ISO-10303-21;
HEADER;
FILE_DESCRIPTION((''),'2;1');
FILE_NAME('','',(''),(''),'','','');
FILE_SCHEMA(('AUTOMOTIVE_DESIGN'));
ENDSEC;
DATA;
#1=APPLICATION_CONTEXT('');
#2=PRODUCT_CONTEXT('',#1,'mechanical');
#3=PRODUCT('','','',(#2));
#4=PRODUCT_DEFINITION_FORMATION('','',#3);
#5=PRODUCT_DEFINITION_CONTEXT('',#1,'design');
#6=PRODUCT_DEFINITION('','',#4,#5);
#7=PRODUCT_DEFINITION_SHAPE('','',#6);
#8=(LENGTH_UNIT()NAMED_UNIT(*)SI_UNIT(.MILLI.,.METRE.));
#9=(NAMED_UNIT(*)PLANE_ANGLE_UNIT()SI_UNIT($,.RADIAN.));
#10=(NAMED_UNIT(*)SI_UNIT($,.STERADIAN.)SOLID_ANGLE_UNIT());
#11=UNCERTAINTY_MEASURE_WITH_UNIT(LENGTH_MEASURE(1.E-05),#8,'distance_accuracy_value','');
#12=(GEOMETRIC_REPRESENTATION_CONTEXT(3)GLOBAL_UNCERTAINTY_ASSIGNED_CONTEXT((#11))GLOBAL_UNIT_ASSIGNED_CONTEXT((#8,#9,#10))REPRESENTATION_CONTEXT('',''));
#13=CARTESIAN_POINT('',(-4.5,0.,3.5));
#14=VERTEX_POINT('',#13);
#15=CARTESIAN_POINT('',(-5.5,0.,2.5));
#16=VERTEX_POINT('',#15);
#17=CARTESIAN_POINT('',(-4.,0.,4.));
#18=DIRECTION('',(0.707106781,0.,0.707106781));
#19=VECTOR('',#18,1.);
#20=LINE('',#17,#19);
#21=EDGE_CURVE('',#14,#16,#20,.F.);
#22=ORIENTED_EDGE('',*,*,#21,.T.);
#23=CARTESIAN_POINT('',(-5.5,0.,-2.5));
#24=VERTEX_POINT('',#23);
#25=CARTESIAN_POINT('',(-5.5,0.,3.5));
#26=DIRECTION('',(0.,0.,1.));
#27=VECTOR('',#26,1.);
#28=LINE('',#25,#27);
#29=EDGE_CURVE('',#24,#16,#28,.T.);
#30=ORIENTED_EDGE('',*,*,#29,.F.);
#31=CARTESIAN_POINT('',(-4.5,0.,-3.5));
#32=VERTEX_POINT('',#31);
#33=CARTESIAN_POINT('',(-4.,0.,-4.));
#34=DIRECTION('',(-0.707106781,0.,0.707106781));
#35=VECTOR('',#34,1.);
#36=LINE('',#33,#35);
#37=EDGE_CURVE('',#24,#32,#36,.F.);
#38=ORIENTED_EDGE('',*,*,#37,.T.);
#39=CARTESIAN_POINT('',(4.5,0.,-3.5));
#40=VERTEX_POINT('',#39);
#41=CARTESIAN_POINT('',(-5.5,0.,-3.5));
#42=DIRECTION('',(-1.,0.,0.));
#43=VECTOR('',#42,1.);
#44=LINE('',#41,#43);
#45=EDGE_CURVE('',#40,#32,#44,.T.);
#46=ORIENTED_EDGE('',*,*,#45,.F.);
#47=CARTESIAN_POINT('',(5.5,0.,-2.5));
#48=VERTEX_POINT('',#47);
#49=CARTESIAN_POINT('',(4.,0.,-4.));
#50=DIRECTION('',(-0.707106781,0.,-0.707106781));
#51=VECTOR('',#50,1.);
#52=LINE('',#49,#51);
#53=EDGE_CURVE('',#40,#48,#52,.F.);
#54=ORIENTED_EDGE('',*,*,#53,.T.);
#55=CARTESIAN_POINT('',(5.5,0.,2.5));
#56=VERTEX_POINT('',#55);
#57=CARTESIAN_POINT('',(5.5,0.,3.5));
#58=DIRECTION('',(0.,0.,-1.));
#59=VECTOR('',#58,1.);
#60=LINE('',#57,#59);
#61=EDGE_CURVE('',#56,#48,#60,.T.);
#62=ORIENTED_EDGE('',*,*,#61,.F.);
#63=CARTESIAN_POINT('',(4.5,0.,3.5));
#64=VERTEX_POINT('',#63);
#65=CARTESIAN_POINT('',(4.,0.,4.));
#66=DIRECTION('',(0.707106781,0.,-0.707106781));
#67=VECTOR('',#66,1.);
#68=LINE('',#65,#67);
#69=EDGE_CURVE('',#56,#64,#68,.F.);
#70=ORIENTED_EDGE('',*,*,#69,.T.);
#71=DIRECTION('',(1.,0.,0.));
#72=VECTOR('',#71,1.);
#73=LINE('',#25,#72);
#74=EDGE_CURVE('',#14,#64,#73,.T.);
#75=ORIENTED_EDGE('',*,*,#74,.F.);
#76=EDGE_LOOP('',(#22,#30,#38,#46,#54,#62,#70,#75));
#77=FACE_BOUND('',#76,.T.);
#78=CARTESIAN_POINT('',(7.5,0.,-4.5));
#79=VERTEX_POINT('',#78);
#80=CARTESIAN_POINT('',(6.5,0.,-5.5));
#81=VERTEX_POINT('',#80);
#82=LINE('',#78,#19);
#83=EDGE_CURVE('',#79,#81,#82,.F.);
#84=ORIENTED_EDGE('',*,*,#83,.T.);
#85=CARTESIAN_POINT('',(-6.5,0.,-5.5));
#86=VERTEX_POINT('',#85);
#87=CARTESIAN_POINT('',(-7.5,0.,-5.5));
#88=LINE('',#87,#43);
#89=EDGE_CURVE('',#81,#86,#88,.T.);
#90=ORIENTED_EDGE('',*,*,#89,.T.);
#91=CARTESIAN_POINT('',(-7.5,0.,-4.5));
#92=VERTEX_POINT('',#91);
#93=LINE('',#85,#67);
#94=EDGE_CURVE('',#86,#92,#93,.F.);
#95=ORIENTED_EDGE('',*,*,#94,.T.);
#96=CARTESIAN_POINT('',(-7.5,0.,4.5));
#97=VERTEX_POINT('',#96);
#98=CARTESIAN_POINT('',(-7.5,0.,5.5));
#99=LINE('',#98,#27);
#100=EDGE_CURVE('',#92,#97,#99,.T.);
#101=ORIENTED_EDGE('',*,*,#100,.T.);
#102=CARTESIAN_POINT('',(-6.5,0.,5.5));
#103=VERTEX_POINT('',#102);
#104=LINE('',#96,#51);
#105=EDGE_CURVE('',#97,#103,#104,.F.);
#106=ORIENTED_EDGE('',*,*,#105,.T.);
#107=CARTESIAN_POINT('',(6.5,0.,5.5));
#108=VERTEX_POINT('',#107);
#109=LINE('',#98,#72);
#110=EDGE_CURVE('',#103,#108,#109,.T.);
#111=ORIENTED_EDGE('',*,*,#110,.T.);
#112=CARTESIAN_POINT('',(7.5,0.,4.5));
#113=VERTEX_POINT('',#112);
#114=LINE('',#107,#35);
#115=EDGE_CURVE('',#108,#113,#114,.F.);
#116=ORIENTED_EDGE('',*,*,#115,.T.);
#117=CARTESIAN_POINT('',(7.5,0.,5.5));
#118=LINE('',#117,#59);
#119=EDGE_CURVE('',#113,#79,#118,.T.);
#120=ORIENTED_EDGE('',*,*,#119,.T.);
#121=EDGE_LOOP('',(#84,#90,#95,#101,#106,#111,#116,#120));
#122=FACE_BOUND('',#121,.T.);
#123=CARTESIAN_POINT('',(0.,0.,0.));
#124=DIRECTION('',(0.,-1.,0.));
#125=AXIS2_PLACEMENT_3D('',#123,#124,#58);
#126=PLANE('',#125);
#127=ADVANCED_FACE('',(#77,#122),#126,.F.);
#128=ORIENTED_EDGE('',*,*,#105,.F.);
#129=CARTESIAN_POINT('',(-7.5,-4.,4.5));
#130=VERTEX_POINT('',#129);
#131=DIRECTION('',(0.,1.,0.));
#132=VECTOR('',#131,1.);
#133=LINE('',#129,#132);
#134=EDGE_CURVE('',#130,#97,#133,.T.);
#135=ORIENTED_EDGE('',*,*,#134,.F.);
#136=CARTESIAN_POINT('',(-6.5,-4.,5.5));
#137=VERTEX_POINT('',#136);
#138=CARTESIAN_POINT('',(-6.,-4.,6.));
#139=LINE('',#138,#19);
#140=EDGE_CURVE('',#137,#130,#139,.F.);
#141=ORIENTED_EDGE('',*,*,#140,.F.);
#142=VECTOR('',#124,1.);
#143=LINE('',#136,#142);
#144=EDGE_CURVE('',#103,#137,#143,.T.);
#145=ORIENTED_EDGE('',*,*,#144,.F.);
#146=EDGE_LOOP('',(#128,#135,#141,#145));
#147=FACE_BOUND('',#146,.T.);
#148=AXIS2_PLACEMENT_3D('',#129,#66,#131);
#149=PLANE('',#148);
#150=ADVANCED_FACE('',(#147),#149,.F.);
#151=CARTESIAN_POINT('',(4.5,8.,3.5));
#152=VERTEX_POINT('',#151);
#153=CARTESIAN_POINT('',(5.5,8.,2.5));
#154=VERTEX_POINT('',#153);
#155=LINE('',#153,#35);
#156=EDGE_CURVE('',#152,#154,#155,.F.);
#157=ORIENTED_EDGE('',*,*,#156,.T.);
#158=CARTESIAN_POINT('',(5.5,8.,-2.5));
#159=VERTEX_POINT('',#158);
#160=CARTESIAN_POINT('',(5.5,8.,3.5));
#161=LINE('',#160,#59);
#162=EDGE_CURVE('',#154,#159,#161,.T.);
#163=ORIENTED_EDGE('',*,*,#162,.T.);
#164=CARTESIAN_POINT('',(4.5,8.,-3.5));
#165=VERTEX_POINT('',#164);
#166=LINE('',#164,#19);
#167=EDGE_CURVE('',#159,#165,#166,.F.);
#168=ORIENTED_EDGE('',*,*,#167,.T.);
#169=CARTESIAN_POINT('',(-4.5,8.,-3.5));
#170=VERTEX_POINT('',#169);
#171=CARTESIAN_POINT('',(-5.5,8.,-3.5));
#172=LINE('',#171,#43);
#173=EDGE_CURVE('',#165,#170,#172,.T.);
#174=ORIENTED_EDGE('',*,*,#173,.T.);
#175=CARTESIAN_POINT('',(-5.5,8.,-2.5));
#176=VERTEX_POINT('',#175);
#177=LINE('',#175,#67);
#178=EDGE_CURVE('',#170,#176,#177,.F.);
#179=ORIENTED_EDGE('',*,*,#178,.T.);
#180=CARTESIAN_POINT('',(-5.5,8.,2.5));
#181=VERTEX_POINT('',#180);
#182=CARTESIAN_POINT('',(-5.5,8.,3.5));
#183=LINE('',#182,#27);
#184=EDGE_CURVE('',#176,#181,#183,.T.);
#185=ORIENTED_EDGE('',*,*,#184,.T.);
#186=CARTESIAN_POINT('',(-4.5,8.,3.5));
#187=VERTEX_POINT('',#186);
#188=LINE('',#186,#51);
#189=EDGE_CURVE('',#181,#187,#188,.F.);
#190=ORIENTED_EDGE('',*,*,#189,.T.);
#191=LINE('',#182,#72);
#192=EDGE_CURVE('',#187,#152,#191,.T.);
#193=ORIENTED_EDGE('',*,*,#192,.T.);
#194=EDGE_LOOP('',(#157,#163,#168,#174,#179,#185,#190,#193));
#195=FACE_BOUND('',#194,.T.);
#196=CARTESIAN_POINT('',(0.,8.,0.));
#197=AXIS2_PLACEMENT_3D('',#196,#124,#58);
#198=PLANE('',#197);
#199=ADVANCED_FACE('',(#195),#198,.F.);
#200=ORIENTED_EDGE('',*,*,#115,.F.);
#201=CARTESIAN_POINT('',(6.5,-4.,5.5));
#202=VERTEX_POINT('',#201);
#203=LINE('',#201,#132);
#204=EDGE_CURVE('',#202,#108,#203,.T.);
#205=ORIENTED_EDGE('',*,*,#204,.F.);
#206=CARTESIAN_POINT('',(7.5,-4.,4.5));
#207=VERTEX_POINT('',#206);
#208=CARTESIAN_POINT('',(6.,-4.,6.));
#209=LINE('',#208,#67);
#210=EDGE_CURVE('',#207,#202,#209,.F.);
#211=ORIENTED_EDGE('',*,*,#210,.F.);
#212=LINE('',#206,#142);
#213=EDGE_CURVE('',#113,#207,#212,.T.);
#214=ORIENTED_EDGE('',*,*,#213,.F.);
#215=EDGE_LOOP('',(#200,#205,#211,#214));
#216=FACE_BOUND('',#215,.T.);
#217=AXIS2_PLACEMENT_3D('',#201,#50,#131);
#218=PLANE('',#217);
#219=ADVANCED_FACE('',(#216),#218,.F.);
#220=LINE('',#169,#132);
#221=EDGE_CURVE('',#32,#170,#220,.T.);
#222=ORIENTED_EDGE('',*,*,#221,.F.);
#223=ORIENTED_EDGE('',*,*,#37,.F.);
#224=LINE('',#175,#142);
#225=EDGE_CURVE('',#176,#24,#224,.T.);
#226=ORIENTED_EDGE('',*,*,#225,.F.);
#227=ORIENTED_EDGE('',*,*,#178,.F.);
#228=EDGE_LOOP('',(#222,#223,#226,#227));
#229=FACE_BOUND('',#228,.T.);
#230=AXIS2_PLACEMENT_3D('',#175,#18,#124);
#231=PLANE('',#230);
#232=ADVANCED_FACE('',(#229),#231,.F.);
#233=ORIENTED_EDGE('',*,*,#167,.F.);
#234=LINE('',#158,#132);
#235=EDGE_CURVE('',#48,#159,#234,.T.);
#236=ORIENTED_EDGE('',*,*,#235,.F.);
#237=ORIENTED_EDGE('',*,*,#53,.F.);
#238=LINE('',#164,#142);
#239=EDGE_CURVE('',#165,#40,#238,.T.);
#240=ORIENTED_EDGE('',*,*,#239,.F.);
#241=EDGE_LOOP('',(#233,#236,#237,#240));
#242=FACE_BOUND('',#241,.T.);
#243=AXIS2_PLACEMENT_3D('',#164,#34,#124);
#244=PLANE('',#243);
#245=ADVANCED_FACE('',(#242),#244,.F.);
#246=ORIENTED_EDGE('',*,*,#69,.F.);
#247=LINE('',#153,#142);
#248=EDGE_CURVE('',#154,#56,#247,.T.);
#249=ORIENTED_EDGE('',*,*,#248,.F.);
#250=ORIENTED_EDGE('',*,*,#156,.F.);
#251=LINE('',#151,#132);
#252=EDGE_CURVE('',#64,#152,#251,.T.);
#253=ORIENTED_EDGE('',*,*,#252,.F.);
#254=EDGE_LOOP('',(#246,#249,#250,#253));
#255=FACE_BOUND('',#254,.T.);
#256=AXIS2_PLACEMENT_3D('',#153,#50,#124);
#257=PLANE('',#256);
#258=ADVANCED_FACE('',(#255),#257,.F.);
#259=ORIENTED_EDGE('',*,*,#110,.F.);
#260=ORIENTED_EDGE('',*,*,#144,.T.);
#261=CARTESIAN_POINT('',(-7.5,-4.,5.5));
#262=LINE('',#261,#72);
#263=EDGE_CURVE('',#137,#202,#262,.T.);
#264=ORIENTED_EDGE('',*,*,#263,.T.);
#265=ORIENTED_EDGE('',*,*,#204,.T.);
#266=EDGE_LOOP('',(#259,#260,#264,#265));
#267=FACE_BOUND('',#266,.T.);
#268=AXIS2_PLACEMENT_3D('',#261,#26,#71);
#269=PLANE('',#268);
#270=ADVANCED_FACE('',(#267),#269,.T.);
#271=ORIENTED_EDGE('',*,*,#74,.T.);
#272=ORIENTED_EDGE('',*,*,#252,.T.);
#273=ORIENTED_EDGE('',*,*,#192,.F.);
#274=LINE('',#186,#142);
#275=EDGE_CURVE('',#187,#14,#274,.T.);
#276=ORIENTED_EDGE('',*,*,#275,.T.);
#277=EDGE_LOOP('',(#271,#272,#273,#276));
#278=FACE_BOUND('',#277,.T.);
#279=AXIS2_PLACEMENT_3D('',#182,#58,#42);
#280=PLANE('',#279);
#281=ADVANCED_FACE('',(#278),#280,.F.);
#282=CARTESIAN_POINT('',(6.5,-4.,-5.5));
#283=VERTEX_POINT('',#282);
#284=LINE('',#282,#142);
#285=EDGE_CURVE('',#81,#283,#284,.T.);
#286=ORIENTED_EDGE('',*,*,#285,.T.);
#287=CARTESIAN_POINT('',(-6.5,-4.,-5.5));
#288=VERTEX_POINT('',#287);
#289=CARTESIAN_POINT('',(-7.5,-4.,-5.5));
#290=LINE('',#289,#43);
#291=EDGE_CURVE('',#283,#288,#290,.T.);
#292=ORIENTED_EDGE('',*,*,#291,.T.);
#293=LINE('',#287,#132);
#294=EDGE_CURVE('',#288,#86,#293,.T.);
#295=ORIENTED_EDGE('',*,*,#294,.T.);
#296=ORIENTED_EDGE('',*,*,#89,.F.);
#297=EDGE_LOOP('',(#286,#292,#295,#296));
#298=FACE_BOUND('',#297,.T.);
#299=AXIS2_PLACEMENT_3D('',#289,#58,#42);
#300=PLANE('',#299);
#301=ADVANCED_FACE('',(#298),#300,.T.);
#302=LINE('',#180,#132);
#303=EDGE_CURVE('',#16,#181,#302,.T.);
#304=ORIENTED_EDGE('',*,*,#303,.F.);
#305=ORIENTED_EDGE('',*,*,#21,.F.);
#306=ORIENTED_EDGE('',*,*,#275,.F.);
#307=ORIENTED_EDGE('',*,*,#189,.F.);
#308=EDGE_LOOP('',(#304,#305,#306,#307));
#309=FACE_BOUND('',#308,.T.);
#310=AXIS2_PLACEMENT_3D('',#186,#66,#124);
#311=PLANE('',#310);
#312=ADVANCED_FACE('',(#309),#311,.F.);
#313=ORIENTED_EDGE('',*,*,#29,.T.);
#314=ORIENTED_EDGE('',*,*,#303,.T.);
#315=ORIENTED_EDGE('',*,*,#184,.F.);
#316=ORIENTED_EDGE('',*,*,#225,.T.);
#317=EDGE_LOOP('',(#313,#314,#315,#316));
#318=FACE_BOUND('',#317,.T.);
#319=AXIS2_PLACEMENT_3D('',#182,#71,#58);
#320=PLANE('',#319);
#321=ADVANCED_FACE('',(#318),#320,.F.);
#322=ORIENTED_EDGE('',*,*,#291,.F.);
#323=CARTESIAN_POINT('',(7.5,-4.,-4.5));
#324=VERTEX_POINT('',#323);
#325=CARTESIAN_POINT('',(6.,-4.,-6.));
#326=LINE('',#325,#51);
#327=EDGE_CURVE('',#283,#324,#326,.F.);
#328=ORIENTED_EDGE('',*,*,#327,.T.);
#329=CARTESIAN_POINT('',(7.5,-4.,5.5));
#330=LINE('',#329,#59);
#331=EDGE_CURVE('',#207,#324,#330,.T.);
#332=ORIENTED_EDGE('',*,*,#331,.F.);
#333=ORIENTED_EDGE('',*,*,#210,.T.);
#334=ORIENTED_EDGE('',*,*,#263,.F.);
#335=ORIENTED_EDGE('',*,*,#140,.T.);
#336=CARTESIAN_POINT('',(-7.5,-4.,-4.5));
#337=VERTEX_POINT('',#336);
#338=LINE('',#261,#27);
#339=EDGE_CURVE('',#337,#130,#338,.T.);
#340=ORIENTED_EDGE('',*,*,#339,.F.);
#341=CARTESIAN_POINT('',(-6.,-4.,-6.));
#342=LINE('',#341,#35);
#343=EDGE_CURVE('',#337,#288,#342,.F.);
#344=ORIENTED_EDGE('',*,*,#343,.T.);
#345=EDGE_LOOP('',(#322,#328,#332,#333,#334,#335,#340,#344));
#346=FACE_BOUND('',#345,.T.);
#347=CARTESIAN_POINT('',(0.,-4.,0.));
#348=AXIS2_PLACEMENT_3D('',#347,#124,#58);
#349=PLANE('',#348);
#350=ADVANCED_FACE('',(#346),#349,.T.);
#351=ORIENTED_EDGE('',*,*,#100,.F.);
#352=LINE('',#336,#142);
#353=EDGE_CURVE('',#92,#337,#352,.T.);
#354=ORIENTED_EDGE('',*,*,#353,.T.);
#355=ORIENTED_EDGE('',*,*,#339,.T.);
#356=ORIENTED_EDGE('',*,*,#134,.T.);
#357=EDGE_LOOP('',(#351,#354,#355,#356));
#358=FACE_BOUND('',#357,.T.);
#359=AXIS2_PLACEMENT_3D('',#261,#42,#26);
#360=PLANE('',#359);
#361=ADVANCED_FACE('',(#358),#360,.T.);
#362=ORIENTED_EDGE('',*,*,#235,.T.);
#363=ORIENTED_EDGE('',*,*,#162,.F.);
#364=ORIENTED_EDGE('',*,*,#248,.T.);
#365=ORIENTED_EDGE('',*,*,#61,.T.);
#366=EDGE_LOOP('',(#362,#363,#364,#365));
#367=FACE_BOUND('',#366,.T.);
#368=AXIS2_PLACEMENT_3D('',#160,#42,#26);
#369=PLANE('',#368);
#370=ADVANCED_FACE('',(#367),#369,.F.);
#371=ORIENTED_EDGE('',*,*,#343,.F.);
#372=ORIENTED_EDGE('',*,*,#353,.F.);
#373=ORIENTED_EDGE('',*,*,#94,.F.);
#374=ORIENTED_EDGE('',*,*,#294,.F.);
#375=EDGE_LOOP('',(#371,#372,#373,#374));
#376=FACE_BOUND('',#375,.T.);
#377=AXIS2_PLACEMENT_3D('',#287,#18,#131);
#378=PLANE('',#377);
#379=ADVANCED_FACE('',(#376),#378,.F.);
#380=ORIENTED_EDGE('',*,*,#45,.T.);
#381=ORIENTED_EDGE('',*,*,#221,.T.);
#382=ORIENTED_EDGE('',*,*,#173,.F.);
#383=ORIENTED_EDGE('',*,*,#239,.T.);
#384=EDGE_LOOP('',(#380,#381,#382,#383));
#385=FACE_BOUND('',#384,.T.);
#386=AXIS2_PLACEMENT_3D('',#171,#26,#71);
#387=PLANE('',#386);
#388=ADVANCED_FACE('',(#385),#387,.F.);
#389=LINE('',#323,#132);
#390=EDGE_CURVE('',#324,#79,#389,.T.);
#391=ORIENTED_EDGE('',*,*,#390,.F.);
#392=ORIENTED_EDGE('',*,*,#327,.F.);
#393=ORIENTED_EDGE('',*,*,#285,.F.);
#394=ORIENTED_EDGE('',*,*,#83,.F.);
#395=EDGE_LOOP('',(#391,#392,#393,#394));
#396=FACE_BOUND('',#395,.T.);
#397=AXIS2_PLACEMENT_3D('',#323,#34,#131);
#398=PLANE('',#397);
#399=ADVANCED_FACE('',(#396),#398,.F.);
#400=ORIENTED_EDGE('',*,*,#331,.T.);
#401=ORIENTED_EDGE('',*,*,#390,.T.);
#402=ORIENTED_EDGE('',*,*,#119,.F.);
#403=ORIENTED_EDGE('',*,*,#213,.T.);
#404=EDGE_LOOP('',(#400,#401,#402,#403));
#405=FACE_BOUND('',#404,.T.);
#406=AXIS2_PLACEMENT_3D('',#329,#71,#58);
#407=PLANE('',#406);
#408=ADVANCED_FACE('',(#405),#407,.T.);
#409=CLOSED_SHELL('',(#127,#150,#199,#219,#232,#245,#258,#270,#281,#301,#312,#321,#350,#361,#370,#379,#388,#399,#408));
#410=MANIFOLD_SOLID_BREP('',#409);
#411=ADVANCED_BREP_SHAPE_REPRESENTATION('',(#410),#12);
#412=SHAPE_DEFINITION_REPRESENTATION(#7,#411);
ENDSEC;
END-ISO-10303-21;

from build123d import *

# Parameters (mm, degrees)
ESQUISSE1_W        = 15
ESQUISSE1_H        = 11
BOSS_EXTRU_1_DEPTH = 4
CHANFREIN1_SIZE    = 1
ESQUISSE2_W        = 11
ESQUISSE2_H        = 7
BOSS_EXTRU_2_DEPTH = 8
CHANFREIN3_SIZE    = 1


with BuildPart() as part:
    # Esquisse1 → Boss.-Extru.1 (new body)
    with BuildSketch(Plane(origin=(0, 0, 0), x_dir=(1, 0, 0), z_dir=(0, 1, 0))):
        Rectangle(ESQUISSE1_W, ESQUISSE1_H)
    extrude(amount=-BOSS_EXTRU_1_DEPTH)

    # Chanfrein1
    chanfrein1_edges = [part.edges().sort_by_distance(p)[0] for p in [
        (7.5, -2, 5.5),
        (-7.5, -2, 5.5),
        (-7.5, -2, -5.5),
        (7.5, -2, -5.5),
    ]]
    chamfer(chanfrein1_edges, length=CHANFREIN1_SIZE)

    # Esquisse2 → Boss.-Extru.2 (add)
    with BuildSketch(Plane(origin=(0, 0, 0), x_dir=(1, 0, 0), z_dir=(0, 1, 0))):
        Rectangle(ESQUISSE2_W, ESQUISSE2_H)
    extrude(amount=BOSS_EXTRU_2_DEPTH)

    # Chanfrein3
    chanfrein3_edges = [part.edges().sort_by_distance(p)[0] for p in [
        (5.5, 4, 3.5),
        (5.5, 4, -3.5),
        (-5.5, 4, -3.5),
        (-5.5, 4, 3.5),
    ]]
    chamfer(chanfrein3_edges, length=CHANFREIN3_SIZE)


solid = part.part
